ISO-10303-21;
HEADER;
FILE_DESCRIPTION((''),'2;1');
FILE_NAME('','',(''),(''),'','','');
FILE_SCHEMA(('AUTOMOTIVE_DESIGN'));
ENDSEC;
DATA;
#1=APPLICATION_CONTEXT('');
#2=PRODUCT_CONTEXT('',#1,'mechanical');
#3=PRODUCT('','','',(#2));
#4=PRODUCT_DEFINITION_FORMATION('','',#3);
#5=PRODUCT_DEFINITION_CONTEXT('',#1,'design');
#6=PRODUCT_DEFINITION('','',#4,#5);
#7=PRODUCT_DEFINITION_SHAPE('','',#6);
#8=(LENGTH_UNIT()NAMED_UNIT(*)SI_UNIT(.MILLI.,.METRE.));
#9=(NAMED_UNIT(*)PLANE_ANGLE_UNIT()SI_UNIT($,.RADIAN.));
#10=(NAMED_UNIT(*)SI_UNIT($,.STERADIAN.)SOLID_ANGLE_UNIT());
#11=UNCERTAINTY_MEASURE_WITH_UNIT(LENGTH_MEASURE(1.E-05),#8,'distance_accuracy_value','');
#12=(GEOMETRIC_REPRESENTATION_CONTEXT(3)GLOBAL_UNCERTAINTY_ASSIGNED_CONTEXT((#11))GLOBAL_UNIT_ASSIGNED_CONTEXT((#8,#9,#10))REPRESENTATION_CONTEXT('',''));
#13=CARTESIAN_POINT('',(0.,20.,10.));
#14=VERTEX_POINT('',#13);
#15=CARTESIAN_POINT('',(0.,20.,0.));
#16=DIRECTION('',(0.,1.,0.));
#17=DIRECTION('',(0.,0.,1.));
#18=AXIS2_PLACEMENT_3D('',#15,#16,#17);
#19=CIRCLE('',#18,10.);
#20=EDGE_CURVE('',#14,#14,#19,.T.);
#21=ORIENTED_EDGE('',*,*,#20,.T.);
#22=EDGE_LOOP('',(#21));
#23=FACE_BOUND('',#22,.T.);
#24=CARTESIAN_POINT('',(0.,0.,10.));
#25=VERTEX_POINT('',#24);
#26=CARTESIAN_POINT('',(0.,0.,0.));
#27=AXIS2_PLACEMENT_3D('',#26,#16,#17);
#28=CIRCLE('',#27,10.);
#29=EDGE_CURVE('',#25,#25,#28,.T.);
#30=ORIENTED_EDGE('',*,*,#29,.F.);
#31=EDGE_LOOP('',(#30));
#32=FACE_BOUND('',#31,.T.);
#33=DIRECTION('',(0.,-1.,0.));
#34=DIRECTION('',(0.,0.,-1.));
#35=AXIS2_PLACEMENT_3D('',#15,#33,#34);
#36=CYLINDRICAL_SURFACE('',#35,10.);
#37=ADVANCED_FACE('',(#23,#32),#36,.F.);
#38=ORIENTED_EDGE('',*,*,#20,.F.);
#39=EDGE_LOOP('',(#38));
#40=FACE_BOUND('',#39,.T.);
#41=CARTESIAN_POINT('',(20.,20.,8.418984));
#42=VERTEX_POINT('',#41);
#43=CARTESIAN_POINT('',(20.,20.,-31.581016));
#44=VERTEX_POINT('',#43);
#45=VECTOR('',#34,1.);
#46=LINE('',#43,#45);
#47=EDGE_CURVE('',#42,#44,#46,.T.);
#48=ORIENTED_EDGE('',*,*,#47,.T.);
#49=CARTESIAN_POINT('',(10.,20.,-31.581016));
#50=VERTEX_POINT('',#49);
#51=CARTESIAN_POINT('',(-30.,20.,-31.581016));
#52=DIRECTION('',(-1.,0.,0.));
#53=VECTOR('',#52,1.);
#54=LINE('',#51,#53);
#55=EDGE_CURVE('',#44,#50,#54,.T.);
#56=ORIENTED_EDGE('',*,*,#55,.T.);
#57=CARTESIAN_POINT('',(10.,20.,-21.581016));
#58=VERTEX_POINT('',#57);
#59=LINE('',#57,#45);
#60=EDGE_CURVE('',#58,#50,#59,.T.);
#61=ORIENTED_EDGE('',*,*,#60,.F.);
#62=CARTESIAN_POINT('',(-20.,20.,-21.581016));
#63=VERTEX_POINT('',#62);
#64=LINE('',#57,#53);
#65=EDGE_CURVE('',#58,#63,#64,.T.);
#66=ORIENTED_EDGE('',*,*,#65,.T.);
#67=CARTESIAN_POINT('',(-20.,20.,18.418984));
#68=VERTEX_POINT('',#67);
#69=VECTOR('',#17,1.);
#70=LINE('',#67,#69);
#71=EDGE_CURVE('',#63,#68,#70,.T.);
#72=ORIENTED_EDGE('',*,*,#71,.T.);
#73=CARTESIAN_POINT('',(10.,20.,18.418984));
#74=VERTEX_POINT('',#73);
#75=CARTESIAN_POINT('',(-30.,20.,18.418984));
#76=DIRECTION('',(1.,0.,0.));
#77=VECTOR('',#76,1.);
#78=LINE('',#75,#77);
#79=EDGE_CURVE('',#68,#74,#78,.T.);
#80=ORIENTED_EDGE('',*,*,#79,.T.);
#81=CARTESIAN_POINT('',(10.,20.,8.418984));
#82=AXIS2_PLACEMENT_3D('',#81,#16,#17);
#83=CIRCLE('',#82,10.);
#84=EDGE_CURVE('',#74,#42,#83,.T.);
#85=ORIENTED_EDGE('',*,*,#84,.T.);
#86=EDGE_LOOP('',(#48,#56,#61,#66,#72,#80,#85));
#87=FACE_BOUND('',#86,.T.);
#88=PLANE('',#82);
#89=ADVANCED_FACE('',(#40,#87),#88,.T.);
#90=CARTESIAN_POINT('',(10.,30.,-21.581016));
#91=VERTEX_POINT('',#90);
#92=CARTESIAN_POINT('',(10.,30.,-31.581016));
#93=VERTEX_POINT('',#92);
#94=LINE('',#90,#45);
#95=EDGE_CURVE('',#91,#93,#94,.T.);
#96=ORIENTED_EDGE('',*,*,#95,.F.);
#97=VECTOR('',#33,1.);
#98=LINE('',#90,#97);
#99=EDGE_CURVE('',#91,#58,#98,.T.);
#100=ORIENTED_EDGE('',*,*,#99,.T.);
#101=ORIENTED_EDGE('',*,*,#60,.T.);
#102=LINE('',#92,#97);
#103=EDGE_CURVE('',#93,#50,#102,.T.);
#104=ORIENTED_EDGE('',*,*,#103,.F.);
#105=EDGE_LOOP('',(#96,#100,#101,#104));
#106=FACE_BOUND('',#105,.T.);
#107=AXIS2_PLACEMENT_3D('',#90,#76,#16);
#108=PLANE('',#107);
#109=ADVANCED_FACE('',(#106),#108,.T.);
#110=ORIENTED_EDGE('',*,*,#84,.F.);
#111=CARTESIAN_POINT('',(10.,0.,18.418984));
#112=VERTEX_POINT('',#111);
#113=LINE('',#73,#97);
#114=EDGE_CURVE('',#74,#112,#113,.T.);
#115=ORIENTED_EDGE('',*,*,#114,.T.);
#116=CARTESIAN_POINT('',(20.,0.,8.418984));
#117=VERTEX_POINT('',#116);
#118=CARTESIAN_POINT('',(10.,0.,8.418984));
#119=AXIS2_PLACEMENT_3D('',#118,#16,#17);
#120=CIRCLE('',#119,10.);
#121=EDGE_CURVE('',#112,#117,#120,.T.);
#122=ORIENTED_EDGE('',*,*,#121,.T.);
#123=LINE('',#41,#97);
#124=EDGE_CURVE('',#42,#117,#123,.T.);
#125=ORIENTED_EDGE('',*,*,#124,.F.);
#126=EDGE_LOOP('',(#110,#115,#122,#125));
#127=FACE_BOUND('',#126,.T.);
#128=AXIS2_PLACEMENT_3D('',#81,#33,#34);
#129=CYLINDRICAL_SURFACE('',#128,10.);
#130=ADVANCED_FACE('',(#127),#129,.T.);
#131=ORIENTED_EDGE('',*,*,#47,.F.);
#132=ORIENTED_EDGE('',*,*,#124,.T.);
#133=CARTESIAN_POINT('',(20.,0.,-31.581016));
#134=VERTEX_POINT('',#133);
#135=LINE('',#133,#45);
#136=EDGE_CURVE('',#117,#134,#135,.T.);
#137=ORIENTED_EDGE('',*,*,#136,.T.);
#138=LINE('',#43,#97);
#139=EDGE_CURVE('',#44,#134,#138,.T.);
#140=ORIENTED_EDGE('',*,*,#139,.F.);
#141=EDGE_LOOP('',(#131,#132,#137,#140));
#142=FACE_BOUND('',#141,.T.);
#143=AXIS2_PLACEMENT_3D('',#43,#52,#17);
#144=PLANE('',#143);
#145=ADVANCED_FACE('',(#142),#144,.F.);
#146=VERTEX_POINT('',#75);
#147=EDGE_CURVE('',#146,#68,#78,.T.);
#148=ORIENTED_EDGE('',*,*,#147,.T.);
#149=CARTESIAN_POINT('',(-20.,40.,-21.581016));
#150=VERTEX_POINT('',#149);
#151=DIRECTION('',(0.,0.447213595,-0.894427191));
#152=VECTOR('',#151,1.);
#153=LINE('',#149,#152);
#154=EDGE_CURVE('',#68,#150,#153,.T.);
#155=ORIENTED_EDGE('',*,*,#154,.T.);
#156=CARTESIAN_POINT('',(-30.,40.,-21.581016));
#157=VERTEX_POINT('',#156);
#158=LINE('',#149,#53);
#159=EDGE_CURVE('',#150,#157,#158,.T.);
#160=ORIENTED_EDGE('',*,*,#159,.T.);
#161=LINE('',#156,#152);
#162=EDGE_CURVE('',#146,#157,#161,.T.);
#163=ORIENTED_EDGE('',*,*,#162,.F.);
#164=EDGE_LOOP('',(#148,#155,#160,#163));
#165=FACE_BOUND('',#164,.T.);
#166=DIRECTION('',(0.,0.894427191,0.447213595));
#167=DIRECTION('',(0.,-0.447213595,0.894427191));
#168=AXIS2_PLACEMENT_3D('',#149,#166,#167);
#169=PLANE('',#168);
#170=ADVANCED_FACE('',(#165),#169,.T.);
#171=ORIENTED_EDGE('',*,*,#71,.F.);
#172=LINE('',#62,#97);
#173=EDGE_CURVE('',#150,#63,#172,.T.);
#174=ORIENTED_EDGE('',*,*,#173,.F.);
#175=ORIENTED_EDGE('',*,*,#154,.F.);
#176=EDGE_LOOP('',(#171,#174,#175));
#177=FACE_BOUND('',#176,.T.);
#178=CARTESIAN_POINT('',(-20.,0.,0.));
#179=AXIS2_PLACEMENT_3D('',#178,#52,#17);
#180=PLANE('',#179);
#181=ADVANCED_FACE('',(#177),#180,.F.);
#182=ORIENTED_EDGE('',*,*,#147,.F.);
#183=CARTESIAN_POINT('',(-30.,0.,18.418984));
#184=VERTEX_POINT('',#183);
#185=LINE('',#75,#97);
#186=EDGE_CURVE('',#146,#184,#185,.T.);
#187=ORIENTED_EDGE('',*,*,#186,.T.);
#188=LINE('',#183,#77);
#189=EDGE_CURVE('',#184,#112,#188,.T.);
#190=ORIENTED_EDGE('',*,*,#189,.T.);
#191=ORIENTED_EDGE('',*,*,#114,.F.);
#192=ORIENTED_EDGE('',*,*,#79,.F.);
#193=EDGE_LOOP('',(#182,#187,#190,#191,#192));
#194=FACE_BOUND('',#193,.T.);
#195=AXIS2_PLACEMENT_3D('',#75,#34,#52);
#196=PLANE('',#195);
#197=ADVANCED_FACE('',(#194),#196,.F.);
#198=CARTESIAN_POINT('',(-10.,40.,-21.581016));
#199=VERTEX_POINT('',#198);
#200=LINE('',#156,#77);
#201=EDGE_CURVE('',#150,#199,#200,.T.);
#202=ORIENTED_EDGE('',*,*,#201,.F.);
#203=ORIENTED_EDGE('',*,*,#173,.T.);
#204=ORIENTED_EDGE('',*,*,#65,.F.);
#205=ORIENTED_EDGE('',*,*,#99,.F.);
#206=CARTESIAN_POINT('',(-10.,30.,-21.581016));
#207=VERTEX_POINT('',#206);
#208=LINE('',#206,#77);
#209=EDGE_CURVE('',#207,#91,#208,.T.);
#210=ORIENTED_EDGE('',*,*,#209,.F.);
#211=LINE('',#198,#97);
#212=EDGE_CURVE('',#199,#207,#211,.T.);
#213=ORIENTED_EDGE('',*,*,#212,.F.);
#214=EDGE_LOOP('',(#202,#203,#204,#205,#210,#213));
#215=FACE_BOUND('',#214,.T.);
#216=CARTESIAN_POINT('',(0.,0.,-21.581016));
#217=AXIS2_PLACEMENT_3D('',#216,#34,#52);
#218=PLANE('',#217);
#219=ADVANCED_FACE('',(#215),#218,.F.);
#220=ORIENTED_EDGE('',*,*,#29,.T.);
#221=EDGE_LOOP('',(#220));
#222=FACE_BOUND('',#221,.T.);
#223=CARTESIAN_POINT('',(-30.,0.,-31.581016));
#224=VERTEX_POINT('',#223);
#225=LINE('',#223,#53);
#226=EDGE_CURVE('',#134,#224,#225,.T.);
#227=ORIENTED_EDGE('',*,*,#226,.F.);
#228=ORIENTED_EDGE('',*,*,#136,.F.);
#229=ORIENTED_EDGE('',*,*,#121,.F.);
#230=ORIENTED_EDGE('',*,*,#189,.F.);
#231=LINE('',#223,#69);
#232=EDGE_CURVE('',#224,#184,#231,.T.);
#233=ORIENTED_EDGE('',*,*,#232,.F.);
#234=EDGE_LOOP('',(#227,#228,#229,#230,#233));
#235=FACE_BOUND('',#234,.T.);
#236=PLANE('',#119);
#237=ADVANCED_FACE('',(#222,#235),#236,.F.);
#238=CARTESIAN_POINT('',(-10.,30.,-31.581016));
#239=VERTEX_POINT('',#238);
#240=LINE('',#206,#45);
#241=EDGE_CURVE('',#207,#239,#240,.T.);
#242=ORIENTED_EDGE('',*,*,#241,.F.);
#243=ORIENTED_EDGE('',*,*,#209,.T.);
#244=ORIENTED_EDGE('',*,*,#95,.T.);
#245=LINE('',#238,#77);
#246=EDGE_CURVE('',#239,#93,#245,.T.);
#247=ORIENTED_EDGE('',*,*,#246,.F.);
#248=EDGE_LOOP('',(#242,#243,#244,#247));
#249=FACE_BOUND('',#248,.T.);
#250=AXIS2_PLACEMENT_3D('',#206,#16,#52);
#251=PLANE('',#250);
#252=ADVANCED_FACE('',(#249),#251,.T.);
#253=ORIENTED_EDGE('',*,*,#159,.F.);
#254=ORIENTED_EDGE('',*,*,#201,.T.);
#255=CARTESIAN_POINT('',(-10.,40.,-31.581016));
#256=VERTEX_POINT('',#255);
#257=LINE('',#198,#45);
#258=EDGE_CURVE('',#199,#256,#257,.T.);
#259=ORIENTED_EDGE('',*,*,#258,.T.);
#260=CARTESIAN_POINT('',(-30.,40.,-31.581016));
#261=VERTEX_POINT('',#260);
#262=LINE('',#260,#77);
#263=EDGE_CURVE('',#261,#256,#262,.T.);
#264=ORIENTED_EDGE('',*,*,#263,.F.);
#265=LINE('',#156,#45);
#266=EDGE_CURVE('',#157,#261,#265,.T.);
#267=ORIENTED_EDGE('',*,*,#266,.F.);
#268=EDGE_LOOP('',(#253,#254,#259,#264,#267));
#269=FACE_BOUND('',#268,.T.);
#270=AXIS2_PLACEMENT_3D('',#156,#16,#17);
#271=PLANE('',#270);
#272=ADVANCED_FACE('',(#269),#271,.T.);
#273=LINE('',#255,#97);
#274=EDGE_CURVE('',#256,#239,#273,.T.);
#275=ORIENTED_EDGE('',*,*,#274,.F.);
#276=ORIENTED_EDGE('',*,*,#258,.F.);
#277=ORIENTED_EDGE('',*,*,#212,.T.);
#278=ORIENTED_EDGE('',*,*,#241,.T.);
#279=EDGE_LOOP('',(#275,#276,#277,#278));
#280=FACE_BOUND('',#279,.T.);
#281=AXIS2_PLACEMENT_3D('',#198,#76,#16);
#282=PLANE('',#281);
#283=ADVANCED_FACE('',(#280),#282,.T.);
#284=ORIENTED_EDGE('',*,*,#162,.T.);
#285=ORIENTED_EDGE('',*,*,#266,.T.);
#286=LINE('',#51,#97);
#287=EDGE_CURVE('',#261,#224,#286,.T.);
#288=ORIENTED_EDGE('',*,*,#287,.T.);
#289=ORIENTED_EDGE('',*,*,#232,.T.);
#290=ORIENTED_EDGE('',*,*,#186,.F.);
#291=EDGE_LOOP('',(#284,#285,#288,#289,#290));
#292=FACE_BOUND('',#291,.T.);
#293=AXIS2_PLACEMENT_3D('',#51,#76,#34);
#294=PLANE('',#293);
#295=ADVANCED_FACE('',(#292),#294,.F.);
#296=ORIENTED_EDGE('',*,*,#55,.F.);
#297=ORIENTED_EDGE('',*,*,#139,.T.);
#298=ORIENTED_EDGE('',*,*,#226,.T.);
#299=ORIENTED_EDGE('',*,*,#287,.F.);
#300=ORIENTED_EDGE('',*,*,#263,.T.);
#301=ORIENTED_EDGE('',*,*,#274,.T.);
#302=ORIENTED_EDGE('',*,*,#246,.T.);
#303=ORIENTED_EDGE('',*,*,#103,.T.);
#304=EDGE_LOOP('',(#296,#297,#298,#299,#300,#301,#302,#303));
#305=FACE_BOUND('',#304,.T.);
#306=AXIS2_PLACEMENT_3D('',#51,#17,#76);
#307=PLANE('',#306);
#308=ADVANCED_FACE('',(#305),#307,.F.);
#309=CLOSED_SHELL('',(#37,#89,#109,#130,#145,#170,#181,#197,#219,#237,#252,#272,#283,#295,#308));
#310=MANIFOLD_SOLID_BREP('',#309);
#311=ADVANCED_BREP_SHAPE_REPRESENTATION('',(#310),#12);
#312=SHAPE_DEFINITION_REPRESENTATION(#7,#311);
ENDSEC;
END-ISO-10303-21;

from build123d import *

# Parameters (mm, degrees)
SKETCH1_R           = 10
BOSS_EXTRUDE1_DEPTH = 20
BOSS_EXTRUDE2_DEPTH = 10
BOSS_EXTRUDE3_DEPTH = 10


with BuildPart() as part:
    # Sketch1 → Boss-Extrude1 (new body)
    with BuildSketch(Plane(origin=(0, 0, 0), x_dir=(1, 0, 0), z_dir=(0, 1, 0))):
        with BuildLine():
            Line((-30, 31.581015912), (20, 31.581015912))
            Line((20, 31.581015912), (20, -8.418984088))
            ThreePointArc((20, -8.418984088), (17.071067812, -15.4900519), (10, -18.418984088))
            Line((10, -18.418984088), (-30, -18.418984088))
            Line((-30, -18.418984088), (-30, 31.581015912))
        make_face()
        with Locations(Location((0, 0, 0), (0, 0, 270))):
            Circle(SKETCH1_R, mode=Mode.SUBTRACT)
    extrude(amount=BOSS_EXTRUDE1_DEPTH)

    # Sketch2 → Boss-Extrude2 (add)
    with BuildSketch(Plane.ZY.offset(30)):
        Polygon((18.418984088, 20), (-21.581015912, 20), (-21.581015912, 40), align=None)
    extrude(amount=-BOSS_EXTRUDE2_DEPTH)

    # Sketch3 → Boss-Extrude3 (add)
    with BuildSketch(Plane(origin=(0, 0, -31.581015912), x_dir=(-1, 0, 0), z_dir=(0, 0, -1))):
        Polygon((30, 20), (30, 40), (10, 40), (10, 30), (-10, 30), (-10, 20), align=None)
    extrude(amount=-BOSS_EXTRUDE3_DEPTH)


solid = part.part
